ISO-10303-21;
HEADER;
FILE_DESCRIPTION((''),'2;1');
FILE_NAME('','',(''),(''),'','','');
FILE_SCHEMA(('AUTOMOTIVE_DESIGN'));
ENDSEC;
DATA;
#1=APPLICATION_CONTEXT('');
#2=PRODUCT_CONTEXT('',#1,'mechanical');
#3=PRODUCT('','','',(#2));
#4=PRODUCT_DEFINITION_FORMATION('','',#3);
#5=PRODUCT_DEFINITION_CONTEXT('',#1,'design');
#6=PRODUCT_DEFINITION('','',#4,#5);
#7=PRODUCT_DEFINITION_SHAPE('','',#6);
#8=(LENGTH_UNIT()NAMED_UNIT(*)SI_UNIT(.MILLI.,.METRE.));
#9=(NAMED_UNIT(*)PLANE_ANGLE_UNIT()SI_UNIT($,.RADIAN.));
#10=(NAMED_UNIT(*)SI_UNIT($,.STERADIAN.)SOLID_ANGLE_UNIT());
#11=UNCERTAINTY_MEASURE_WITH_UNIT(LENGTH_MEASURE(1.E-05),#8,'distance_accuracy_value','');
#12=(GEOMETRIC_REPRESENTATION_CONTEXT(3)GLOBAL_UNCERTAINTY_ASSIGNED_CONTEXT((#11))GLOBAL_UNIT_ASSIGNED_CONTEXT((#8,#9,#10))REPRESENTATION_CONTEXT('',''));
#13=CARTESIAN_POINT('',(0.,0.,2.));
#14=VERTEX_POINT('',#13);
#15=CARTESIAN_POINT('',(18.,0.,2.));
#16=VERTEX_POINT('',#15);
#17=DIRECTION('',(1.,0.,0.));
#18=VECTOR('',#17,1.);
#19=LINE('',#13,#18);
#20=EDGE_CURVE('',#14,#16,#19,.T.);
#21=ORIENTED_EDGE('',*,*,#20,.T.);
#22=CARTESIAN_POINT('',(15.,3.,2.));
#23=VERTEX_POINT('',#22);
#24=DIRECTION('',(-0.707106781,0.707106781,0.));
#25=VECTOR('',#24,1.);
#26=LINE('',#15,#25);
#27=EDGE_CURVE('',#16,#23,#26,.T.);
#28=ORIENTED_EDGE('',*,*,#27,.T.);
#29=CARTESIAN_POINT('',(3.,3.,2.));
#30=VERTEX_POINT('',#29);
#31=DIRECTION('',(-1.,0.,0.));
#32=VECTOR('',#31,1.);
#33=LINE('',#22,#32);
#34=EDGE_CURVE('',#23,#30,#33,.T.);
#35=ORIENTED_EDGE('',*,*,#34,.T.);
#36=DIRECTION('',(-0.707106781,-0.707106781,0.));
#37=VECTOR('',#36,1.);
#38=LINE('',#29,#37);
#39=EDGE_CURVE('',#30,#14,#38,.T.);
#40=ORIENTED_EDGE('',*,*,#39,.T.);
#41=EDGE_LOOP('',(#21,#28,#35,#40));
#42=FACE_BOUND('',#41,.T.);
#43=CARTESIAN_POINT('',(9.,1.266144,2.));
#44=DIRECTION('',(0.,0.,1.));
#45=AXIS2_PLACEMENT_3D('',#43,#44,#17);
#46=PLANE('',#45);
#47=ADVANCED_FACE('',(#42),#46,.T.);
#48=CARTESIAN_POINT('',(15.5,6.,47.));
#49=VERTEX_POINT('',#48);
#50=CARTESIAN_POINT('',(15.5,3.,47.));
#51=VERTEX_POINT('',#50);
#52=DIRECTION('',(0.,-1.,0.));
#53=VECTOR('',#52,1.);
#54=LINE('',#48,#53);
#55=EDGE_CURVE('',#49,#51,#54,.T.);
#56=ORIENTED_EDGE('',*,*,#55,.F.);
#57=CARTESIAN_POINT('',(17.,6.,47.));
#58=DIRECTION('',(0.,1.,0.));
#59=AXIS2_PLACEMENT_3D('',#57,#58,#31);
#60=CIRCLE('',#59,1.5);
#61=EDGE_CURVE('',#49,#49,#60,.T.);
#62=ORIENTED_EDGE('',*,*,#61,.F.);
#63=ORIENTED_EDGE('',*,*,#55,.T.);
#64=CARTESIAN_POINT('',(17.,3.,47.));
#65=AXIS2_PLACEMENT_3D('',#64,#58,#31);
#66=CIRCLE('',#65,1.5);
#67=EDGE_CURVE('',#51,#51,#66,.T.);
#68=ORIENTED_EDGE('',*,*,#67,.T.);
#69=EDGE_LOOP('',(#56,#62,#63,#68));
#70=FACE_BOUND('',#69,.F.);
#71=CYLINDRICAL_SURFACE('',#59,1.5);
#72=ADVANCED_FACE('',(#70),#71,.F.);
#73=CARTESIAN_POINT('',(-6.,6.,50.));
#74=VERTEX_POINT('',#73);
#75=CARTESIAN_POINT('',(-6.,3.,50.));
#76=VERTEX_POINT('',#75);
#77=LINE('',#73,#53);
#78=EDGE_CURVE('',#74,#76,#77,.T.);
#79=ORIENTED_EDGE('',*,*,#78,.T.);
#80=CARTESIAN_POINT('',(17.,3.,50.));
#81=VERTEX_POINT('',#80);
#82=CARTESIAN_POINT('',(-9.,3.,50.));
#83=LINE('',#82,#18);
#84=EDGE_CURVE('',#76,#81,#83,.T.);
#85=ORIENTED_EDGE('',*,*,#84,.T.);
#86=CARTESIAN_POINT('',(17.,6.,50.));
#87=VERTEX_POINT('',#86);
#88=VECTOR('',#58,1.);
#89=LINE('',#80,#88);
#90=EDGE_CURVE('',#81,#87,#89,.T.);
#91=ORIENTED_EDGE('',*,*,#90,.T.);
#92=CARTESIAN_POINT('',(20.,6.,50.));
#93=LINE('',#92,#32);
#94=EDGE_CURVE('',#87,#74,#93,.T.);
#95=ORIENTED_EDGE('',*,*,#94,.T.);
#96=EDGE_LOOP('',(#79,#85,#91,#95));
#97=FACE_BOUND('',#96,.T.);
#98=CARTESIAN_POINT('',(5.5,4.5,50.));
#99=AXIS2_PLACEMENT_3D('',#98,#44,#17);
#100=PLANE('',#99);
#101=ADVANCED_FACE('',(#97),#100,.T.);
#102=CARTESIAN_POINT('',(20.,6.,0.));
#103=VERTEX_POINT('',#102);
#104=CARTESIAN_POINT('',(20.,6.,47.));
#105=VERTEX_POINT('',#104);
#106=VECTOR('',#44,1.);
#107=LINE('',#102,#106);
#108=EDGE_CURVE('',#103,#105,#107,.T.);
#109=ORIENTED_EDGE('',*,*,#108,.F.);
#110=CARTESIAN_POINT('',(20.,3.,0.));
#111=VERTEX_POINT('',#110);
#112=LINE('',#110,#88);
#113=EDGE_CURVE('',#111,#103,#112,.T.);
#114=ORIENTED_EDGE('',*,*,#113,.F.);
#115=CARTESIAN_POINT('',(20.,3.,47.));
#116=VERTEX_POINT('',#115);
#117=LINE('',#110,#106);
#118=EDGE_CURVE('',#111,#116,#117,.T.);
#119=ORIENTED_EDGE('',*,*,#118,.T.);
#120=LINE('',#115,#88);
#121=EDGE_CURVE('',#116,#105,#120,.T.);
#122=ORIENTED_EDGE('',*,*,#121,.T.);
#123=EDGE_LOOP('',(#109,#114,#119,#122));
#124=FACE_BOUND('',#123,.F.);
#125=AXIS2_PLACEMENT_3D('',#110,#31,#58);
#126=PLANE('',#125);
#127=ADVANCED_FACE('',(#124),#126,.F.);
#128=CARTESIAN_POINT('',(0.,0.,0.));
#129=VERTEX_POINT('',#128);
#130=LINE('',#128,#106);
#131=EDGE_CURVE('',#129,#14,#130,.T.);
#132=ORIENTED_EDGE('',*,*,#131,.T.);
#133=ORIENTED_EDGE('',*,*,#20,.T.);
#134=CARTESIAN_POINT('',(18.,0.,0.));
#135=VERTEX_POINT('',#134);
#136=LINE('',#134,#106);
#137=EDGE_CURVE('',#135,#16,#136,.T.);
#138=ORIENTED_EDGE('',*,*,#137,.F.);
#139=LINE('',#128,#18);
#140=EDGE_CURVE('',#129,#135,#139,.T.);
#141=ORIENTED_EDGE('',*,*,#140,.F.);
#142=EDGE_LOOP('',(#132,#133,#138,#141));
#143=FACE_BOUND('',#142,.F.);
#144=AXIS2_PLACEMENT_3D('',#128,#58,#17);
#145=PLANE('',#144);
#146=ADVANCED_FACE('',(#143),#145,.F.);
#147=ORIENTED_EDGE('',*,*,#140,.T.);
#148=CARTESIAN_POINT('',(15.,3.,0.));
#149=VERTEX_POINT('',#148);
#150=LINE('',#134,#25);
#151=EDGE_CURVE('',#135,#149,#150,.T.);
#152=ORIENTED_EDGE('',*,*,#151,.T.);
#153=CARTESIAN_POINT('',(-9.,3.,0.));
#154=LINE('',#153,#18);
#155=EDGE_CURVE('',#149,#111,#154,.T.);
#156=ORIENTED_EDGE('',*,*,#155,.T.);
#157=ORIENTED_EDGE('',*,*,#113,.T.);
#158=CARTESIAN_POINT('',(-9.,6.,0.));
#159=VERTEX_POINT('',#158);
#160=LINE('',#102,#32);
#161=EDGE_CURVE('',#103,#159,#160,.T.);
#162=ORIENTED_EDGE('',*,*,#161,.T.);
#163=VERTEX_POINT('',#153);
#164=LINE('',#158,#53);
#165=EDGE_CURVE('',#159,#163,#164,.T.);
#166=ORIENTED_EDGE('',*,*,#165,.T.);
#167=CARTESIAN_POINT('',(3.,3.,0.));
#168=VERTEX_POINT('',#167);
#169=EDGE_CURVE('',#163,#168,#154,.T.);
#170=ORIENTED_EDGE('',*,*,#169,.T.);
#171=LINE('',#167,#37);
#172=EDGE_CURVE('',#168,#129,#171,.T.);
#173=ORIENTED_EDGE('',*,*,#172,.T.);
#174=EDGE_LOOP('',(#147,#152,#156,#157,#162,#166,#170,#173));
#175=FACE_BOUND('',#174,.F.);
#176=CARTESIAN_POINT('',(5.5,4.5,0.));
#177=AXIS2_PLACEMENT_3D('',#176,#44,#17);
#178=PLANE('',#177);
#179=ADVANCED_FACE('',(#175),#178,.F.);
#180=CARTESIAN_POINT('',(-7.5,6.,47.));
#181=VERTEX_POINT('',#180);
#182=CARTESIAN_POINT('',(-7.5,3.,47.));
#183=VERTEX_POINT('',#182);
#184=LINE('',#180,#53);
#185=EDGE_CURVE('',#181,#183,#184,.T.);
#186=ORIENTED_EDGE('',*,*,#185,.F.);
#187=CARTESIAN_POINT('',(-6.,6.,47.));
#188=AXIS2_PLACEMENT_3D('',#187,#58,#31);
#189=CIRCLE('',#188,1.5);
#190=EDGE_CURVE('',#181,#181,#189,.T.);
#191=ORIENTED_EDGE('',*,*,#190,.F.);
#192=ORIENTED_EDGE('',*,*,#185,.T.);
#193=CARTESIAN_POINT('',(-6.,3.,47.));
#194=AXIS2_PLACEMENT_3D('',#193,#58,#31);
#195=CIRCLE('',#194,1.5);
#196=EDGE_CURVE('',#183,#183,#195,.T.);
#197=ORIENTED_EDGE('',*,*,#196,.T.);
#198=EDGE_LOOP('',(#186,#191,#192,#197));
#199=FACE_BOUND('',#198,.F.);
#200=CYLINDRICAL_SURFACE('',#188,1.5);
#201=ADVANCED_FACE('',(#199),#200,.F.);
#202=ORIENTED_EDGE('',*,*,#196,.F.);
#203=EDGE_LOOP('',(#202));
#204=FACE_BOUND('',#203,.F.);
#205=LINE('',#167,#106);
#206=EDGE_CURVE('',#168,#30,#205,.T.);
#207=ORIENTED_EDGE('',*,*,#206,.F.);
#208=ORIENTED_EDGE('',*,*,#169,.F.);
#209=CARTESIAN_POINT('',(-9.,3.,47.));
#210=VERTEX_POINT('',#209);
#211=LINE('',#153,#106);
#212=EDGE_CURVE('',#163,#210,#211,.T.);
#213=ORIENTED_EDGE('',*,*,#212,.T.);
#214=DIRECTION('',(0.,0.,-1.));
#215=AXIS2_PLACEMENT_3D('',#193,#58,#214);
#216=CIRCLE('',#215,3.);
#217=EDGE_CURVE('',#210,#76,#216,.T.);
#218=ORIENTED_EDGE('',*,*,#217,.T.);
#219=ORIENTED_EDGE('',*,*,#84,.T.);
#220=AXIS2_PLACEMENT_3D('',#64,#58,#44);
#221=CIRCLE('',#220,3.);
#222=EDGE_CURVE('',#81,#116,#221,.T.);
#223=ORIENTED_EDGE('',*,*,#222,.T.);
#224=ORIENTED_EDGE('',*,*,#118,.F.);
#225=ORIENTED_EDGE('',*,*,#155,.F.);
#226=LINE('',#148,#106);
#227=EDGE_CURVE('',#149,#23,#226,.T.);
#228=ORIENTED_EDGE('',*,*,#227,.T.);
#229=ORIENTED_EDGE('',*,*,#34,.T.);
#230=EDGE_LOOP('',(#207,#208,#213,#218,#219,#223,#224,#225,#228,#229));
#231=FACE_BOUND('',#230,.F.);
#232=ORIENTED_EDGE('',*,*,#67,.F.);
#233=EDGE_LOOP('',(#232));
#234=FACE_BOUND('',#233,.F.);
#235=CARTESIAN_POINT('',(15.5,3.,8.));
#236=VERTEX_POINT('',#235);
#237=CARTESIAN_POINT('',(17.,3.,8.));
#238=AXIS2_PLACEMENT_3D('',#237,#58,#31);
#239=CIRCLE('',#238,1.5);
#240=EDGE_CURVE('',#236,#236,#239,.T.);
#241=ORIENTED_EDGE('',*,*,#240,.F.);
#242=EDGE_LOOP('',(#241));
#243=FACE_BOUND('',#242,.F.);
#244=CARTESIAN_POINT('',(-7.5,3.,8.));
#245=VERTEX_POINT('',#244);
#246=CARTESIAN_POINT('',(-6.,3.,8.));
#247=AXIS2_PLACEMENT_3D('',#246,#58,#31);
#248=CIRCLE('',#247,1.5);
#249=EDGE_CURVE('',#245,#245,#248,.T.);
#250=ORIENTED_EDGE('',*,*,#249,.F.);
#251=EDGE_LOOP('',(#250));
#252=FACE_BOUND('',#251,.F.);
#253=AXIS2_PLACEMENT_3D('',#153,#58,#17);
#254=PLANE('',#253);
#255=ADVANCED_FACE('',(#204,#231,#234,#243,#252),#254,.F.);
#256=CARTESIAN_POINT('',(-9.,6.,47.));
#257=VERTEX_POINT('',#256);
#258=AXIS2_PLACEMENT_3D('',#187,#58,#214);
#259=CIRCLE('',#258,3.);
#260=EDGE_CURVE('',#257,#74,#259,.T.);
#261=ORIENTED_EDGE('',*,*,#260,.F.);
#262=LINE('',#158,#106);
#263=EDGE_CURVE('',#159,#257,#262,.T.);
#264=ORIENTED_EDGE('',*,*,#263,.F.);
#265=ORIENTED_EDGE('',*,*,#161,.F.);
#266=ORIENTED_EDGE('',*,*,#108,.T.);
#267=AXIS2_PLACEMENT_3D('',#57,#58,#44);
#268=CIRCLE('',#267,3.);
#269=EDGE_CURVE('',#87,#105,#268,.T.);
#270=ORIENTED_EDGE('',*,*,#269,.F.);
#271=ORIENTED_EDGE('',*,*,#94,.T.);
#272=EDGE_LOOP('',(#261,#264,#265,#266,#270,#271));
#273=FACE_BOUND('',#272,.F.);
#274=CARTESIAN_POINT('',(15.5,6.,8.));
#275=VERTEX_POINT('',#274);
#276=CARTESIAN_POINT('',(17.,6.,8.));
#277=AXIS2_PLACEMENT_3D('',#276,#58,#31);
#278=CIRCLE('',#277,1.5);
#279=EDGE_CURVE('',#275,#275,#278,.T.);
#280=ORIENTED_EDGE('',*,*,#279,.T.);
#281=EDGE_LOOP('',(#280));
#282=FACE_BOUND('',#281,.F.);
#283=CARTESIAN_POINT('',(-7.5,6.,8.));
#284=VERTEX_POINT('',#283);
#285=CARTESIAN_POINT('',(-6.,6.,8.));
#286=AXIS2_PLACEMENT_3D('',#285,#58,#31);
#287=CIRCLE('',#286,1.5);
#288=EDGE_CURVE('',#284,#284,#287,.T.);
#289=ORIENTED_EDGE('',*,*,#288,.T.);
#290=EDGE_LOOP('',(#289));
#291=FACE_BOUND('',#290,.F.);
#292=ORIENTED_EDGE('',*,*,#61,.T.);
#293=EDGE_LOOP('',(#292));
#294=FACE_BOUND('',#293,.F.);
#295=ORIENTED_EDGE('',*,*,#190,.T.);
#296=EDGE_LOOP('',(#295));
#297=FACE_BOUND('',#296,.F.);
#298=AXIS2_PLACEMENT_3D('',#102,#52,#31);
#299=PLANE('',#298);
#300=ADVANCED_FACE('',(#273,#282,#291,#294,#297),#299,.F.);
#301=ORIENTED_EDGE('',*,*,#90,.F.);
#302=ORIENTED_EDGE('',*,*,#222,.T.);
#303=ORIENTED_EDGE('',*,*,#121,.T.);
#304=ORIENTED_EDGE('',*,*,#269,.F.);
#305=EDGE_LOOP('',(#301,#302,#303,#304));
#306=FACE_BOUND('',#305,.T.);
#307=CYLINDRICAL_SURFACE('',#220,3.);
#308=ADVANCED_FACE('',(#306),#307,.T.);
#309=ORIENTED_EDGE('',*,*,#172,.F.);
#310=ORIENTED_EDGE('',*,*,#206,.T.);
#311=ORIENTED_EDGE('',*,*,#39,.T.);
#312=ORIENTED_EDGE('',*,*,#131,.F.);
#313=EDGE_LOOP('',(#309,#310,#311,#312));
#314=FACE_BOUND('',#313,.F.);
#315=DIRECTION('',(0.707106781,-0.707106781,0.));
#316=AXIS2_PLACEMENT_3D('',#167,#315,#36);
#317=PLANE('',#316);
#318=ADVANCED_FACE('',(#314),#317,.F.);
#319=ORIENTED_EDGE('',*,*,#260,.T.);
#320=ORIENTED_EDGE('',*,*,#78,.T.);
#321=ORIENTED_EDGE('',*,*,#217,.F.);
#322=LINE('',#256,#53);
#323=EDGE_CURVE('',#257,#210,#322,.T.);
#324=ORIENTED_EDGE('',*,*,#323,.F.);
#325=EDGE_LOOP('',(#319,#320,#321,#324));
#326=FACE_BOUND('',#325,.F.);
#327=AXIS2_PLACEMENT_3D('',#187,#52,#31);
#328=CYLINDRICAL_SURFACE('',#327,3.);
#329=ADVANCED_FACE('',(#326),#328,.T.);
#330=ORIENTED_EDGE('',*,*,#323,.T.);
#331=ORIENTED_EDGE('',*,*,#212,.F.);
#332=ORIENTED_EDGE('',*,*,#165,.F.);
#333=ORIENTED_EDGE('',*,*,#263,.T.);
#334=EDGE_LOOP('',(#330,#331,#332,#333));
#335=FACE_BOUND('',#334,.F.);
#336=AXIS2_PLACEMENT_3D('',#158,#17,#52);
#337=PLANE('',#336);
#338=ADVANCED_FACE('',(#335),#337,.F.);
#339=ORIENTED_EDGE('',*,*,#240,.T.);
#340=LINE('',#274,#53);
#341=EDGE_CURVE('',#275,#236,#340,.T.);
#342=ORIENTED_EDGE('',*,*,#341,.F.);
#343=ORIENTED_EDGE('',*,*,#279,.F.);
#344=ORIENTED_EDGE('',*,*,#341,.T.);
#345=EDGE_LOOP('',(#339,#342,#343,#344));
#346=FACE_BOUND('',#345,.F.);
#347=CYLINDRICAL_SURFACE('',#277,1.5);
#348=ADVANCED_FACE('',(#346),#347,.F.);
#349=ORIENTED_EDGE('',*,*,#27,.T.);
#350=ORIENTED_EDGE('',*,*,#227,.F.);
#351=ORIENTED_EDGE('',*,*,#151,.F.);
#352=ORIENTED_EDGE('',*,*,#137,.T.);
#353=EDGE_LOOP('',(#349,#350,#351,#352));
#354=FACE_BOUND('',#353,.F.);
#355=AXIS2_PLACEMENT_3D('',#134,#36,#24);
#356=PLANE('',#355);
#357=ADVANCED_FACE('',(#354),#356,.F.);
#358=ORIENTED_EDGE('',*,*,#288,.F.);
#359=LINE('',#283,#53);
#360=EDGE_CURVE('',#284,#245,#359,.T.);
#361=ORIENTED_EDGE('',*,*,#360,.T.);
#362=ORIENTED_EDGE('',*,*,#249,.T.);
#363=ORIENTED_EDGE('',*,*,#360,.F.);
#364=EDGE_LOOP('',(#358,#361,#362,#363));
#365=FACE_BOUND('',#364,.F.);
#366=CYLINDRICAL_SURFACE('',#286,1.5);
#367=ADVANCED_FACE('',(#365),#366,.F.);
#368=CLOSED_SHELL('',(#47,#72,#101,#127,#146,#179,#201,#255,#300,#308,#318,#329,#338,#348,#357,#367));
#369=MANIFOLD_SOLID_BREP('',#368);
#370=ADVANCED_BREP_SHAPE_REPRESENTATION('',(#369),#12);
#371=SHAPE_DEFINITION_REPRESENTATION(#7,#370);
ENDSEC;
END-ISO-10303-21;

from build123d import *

# Parameters (mm, degrees)
F1_DEPTH = 2
F2_DEPTH = 50
F3_R     = 1.5
F4_DEPTH = 25
F5_R     = 3


with BuildPart() as f1:
    # F0 (on Top) → F1 (new body)
    with BuildSketch(Plane.XY):
        Polygon((3, 3), (0, 0), (18, 0), (15, 3), align=None)
    extrude(amount=F1_DEPTH)

    # F0 (on Top) → F2 (join)
    with BuildSketch(Plane.XY):
        Polygon((-9, 3), (3, 3), (15, 3), (20, 3), (20, 6), (-9, 6), align=None)
    extrude(amount=F2_DEPTH)

    # F3 (on face) → F4 (cut)
    with BuildSketch(Plane(origin=(0, 6, 0), x_dir=(-1, 0, 0), z_dir=(0, 1, 0))):
        with Locations((6, 8)):
            Circle(F3_R)
        with Locations((-17, 8)):
            Circle(F3_R)
        with Locations((-17, 47)):
            Circle(F3_R)
        with Locations((6, 47)):
            Circle(F3_R)
    extrude(amount=-F4_DEPTH, mode=Mode.SUBTRACT)

    # F5
    f5_edges = [f1.edges().sort_by_distance(p)[0] for p in [
        (-9, 4.5, 50),
        (20, 4.5, 50),
    ]]
    fillet(f5_edges, radius=F5_R)


solid = f1.part
